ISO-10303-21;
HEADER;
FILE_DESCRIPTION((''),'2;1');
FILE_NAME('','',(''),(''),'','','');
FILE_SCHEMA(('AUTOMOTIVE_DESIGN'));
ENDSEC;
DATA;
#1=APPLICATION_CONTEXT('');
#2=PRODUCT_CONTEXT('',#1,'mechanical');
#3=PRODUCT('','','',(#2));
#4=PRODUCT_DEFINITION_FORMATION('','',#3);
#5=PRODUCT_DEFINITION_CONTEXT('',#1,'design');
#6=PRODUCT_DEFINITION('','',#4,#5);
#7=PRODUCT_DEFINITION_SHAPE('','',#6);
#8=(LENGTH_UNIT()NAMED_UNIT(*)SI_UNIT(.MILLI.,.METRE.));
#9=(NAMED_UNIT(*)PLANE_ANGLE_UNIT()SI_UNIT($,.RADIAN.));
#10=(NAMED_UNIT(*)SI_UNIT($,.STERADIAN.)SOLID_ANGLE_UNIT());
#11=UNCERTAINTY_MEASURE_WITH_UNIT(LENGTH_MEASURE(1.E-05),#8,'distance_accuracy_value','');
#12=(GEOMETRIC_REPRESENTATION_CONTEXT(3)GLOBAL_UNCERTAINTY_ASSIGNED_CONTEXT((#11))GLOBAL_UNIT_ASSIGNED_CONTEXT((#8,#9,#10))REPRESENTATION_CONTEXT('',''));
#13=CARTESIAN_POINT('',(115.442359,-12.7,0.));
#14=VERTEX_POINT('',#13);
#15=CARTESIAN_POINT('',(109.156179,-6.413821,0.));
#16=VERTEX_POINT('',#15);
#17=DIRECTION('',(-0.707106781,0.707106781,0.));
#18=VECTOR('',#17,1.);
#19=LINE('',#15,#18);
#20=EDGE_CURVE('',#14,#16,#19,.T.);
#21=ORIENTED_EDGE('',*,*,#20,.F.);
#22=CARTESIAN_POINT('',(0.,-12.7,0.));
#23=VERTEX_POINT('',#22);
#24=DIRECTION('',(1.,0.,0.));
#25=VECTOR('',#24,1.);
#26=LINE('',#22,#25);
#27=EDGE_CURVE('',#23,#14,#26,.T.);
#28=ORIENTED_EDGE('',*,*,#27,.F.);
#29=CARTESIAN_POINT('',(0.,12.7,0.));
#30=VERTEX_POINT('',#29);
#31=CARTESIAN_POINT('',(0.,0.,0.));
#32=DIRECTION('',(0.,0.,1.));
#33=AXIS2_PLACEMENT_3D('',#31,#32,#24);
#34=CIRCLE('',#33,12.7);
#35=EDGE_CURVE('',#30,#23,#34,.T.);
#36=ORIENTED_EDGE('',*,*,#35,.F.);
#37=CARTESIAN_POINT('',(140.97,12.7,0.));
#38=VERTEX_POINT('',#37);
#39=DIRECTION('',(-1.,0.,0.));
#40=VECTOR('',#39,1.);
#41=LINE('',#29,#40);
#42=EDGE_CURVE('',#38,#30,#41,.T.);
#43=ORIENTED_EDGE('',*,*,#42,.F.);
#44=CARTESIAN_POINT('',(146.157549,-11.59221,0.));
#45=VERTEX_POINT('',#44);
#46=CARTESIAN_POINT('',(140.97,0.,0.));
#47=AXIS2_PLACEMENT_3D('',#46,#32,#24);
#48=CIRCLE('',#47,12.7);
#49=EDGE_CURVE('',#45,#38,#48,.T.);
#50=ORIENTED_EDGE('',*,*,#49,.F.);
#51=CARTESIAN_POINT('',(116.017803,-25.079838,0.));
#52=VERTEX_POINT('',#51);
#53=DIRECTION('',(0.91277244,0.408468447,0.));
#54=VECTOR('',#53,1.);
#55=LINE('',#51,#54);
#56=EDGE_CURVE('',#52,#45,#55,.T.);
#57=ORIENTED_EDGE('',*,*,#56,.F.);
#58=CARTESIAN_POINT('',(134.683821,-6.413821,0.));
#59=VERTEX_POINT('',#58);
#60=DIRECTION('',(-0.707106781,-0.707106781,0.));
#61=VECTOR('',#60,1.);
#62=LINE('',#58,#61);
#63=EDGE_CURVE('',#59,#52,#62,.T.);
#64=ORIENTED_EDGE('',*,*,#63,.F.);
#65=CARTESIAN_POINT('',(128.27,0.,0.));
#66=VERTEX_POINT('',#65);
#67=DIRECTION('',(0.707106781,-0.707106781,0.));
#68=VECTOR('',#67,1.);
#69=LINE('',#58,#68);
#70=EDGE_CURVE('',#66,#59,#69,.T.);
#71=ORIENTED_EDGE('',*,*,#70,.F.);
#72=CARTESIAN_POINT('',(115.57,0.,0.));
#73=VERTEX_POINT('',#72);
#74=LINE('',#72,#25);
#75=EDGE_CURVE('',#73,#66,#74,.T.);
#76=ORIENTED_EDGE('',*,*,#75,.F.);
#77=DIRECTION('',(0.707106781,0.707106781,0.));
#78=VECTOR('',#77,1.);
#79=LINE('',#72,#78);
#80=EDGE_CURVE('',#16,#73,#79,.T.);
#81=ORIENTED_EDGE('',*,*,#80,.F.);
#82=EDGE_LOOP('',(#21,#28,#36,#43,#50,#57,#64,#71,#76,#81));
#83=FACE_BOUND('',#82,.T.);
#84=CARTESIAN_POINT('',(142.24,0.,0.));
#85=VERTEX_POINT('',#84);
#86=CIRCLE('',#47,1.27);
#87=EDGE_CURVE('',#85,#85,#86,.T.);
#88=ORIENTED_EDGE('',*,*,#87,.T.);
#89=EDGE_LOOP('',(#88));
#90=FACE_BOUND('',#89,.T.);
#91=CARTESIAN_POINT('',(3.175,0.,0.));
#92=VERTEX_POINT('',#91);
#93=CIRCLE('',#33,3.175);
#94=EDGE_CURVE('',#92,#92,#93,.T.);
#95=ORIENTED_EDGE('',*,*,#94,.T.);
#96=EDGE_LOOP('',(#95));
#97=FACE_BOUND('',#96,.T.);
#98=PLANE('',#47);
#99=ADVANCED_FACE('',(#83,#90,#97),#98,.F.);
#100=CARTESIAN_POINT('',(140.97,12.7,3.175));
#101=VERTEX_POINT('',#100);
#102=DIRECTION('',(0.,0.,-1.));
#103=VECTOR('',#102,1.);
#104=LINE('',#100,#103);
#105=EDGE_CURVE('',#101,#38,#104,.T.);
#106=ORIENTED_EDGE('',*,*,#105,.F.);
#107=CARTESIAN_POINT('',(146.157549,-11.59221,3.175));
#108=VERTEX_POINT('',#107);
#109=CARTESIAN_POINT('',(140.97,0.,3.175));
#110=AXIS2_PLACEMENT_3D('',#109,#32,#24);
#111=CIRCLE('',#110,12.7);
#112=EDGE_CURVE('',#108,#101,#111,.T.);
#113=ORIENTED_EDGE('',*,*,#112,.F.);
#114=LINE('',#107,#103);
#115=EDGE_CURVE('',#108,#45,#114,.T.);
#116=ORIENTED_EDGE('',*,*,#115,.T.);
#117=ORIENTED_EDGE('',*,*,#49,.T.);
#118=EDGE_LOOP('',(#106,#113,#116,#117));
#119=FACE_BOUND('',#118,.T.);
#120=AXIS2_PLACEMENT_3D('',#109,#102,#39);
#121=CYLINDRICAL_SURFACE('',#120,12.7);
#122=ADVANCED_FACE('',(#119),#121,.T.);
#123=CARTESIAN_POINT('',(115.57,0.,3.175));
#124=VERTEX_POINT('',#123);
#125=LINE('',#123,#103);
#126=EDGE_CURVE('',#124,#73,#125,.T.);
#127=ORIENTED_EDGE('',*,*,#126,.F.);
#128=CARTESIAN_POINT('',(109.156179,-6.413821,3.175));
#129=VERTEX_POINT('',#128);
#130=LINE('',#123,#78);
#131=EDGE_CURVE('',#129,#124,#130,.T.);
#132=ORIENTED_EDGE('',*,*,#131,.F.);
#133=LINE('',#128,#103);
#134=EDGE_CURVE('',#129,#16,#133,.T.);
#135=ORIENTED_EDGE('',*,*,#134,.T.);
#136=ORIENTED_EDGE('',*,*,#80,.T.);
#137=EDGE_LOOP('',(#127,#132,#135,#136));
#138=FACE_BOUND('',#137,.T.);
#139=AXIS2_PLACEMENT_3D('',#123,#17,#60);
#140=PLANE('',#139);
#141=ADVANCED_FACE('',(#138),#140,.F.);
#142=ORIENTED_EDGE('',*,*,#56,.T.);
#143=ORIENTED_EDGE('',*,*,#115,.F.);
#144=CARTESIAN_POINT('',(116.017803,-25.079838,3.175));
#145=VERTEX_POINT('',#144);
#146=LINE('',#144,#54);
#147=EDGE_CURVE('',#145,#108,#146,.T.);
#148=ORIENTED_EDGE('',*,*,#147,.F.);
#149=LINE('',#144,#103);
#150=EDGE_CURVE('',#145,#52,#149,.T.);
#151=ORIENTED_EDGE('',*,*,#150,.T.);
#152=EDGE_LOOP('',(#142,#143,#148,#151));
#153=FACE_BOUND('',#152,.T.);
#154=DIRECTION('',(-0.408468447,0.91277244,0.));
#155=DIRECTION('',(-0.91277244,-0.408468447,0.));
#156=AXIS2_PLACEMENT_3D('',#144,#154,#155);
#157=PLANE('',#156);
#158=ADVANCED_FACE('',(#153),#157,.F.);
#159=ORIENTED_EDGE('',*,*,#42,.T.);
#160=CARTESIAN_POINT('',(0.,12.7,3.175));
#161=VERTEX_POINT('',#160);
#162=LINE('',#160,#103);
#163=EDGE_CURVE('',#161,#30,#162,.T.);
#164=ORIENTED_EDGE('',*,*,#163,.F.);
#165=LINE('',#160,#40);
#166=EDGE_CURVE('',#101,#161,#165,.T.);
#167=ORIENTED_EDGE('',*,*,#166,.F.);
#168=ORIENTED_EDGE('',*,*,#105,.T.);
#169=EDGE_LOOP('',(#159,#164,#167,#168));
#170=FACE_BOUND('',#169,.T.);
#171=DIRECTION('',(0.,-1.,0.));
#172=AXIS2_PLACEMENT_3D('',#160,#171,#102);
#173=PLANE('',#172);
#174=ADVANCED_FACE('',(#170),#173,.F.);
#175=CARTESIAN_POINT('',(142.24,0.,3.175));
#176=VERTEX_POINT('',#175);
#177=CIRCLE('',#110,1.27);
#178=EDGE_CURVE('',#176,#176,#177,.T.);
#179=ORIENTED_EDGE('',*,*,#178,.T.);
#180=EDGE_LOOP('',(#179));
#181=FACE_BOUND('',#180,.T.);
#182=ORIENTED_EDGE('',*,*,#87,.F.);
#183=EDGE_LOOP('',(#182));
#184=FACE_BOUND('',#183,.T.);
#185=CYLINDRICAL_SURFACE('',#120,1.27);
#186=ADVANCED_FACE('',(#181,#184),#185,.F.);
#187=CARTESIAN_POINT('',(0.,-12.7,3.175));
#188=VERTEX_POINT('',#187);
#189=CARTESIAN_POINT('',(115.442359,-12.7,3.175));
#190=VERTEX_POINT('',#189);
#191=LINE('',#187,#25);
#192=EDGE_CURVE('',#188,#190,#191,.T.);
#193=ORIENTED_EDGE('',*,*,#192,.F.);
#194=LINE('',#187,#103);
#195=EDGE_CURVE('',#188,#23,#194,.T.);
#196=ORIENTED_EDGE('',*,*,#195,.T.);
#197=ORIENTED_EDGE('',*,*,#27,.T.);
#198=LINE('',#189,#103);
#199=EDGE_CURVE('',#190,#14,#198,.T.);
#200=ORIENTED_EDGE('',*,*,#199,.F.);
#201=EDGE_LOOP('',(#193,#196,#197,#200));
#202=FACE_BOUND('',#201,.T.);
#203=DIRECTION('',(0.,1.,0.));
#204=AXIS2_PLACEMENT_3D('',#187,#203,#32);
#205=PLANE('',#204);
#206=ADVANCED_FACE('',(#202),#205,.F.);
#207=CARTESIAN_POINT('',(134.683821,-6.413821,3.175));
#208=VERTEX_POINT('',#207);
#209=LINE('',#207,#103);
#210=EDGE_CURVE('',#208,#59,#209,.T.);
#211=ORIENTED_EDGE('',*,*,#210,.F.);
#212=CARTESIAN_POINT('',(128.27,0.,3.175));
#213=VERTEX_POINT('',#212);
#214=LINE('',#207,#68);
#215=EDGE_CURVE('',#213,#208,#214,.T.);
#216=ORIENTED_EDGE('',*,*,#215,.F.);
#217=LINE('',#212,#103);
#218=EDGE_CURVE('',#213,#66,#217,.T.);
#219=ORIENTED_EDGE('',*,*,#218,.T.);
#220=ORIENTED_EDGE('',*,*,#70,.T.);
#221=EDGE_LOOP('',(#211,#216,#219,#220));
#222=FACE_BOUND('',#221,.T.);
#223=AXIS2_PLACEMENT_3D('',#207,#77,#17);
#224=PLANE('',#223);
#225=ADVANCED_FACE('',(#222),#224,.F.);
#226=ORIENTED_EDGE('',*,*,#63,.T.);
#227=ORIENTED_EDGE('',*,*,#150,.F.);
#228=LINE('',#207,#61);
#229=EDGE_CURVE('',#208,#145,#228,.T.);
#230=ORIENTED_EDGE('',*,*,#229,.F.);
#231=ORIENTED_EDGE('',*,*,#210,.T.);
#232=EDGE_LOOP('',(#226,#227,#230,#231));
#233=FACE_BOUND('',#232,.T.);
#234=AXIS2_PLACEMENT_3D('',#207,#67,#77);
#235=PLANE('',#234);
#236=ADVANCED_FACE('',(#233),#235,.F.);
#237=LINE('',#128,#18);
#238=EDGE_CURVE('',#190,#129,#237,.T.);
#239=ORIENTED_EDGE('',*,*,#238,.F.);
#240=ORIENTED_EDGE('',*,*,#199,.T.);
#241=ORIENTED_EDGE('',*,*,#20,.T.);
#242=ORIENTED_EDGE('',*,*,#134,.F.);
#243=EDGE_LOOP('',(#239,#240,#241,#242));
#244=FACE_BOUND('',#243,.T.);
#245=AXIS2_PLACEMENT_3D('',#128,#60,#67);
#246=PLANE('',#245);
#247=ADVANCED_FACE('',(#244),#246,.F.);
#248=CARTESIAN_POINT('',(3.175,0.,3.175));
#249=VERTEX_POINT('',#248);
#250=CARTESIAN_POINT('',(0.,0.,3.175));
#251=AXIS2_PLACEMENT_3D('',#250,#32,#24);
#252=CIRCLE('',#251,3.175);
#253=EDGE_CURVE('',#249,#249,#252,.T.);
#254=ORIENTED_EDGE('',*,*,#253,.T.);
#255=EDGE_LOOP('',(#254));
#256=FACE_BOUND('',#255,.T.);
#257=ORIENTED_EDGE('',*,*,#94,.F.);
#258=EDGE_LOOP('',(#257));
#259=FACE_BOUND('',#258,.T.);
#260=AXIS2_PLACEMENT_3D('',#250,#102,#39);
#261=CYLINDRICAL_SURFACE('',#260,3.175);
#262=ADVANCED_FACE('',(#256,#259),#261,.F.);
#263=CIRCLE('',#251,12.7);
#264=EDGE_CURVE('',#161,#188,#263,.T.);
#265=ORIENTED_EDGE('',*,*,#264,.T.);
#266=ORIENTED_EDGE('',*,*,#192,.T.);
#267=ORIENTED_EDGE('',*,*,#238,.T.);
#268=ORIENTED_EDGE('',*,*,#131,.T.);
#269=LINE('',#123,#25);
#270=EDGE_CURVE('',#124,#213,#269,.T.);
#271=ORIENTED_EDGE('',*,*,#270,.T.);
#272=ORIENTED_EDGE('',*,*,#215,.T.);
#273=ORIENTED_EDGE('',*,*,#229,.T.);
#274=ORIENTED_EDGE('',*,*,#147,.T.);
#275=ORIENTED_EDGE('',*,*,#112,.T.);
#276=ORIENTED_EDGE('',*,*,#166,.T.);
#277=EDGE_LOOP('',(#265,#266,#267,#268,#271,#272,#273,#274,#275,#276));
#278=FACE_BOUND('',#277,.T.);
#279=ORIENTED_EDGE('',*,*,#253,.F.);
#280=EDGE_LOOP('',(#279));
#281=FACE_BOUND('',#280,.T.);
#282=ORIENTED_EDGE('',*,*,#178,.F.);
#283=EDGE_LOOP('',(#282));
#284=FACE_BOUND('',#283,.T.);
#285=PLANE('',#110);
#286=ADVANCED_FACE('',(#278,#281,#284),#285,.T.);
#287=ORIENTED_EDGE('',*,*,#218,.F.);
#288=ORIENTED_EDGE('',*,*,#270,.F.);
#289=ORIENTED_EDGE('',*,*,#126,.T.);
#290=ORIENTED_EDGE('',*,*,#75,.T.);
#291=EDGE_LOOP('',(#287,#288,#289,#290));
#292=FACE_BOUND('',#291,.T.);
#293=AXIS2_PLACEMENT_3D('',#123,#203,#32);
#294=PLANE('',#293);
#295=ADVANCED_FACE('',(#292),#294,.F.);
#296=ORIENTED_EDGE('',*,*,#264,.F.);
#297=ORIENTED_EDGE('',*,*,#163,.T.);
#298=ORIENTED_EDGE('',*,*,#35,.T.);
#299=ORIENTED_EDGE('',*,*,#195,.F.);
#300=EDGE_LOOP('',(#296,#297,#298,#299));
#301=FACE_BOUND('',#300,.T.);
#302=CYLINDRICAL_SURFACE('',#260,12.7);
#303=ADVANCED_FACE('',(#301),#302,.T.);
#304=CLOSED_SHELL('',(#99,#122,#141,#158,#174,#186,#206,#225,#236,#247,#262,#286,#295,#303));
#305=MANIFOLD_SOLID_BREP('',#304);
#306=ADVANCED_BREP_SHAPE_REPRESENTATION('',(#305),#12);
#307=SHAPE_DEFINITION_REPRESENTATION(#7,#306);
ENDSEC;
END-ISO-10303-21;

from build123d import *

# Parameters (mm, degrees)
SKETCH1_R           = 3.175
SKETCH1_R_2         = 1.27
BOSS_EXTRUDE1_DEPTH = 3.175


with BuildPart() as part:
    # Sketch1 → Boss-Extrude1 (new body)
    with BuildSketch(Plane.XY):
        with BuildLine():
            Line((115.57, 0), (128.27, 0))
            Line((128.27, 0), (134.683820715, -6.413820715))
            Line((134.683820715, -6.413820715), (116.017803308, -25.079838122))
            Line((116.017803308, -25.079838122), (146.157549282, -11.59220999))
            ThreePointArc((146.157549282, -11.59220999), (153.389965114, 2.652256881), (140.97, 12.7))
            Line((140.97, 12.7), (0, 12.7))
            ThreePointArc((0, 12.7), (-12.7, 0), (0, -12.7))
            Line((0, -12.7), (115.442358569, -12.7))
            Line((115.442358569, -12.7), (109.156179285, -6.413820715))
            Line((109.156179285, -6.413820715), (115.57, 0))
        make_face()
        Circle(SKETCH1_R, mode=Mode.SUBTRACT)
        with Locations((140.97, 0)):
            Circle(SKETCH1_R_2, mode=Mode.SUBTRACT)
    extrude(amount=BOSS_EXTRUDE1_DEPTH)


solid = part.part
